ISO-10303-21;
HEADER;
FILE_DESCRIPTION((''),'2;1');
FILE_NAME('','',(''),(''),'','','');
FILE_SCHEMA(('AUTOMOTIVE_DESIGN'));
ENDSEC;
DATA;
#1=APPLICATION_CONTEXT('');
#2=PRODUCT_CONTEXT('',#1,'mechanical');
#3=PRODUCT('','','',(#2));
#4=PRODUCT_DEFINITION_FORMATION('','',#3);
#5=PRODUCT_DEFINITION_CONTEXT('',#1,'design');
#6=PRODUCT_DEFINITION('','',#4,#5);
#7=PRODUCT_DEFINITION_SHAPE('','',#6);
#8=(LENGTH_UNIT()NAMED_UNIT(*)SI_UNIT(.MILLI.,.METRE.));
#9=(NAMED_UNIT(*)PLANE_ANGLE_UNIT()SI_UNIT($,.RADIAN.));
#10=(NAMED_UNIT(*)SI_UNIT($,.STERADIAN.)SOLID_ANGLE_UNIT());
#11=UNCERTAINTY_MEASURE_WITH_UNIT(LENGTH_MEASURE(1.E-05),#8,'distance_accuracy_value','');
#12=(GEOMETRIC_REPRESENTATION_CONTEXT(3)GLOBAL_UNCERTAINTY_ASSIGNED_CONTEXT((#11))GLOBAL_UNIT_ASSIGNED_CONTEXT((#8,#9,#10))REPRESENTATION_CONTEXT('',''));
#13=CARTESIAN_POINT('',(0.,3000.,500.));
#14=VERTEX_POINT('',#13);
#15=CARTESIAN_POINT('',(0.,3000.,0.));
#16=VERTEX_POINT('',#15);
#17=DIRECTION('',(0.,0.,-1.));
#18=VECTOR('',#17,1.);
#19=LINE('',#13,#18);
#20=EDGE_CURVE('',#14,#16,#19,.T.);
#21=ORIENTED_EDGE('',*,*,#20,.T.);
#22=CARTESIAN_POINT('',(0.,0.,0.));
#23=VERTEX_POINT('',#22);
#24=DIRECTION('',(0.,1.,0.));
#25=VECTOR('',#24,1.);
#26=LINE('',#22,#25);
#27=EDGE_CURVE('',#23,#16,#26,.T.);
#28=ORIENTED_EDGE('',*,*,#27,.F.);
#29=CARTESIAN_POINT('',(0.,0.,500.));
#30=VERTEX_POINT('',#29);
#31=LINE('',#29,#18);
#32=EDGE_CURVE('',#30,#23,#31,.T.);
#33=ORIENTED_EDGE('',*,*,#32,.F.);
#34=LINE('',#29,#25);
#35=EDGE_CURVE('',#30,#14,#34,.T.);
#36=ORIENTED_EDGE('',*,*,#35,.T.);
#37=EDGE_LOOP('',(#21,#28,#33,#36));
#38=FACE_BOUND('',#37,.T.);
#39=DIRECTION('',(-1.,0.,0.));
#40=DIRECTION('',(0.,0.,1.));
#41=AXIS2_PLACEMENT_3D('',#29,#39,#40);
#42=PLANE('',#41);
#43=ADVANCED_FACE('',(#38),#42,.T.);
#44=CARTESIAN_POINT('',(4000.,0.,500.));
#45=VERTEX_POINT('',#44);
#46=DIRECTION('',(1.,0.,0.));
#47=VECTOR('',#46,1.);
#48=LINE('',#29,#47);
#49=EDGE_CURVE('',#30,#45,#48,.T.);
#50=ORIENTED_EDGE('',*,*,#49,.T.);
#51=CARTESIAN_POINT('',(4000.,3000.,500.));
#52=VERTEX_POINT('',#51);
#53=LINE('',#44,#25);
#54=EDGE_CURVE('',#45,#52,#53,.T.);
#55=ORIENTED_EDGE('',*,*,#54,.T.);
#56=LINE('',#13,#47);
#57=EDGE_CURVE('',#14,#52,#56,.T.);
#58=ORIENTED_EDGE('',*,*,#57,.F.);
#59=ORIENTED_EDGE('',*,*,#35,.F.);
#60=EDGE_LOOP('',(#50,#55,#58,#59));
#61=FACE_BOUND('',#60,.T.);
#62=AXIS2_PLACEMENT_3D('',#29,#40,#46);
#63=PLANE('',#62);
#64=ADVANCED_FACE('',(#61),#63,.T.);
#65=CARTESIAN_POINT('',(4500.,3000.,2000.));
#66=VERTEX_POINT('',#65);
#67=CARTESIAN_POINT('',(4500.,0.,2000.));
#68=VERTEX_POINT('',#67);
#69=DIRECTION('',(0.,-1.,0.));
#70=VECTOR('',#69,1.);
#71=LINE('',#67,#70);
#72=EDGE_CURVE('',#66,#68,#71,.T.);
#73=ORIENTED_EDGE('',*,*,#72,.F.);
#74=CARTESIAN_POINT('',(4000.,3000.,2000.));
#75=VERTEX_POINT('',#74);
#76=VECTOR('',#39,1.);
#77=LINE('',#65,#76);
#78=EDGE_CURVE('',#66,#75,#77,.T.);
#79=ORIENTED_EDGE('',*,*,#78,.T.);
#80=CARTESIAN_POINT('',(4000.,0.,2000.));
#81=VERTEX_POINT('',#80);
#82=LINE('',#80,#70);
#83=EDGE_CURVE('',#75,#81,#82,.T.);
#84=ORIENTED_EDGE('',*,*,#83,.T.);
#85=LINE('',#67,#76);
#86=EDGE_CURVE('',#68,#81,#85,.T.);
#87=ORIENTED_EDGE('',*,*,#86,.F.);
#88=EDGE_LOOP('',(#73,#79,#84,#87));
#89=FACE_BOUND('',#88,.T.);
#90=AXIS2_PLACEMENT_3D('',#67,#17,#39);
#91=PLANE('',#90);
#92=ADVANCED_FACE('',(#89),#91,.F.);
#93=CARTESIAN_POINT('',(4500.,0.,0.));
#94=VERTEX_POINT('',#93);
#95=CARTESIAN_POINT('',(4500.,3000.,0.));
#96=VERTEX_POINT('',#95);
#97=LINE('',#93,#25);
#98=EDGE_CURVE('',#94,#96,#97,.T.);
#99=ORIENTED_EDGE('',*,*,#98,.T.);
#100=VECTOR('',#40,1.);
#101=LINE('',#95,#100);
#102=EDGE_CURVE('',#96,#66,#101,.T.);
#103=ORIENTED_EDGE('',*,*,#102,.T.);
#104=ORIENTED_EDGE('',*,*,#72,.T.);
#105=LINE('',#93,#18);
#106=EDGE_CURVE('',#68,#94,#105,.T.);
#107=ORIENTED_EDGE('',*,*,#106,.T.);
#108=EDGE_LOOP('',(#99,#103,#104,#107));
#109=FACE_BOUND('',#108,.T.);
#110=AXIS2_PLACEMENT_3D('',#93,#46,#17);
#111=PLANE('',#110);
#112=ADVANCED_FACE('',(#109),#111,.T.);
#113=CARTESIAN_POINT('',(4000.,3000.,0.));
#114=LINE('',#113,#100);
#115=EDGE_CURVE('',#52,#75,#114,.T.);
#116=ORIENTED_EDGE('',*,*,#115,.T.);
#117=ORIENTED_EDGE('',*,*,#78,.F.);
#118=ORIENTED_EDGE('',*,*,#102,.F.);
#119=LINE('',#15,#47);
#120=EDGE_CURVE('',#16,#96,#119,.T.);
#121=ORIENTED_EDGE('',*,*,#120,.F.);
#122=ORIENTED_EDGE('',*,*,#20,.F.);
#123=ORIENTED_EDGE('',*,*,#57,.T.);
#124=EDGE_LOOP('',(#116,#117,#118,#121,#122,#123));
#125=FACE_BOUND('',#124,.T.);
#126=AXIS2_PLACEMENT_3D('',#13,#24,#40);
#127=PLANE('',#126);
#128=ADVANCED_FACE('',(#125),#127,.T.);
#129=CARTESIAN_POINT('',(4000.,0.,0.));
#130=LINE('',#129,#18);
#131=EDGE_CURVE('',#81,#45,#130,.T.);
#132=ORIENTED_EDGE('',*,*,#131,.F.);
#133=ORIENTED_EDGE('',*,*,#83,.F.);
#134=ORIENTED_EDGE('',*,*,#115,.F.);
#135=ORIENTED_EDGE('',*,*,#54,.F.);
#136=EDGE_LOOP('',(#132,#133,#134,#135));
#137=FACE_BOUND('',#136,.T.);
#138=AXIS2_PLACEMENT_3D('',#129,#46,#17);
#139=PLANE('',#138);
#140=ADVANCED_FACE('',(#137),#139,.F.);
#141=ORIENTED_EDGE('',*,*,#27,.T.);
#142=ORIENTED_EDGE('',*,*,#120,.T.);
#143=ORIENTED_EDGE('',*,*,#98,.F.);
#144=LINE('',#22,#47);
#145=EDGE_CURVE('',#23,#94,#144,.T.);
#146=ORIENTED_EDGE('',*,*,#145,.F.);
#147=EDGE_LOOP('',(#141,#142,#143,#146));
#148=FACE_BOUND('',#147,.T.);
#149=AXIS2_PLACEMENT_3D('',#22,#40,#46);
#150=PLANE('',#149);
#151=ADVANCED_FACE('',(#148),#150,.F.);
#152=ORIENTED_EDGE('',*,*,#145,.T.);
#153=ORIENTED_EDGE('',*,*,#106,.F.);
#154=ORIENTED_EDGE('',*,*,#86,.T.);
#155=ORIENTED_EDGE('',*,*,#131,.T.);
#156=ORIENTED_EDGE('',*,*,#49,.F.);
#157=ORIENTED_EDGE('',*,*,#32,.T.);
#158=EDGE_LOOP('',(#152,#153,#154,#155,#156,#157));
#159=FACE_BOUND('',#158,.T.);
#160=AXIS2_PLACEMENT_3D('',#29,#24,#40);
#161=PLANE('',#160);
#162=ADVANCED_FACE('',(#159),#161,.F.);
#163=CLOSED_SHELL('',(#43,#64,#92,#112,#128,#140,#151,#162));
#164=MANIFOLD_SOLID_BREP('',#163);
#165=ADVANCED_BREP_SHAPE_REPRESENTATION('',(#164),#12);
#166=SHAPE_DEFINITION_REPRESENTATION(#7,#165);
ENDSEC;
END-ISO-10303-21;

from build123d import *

# Parameters (mm, degrees)
SKETCH2_W           = 4000
SKETCH2_H           = 3000
BOSS_EXTRUDE1_DEPTH = 500
SKETCH3_W           = 2000
SKETCH3_H           = 3000
BOSS_EXTRUDE2_DEPTH = 500


with BuildPart() as part:
    # Sketch2 → Boss-Extrude1 (new body)
    with BuildSketch(Plane.XY):
        with Locations((2000, 1500)):
            Rectangle(SKETCH2_W, SKETCH2_H)
    extrude(amount=BOSS_EXTRUDE1_DEPTH)

    # Sketch3 → Boss-Extrude2 (add)
    with BuildSketch(Plane(origin=(4000, 0, 0), x_dir=(0, 0, -1), z_dir=(1, 0, 0))):
        with Locations((-1000, 1500)):
            Rectangle(SKETCH3_W, SKETCH3_H)
    extrude(amount=BOSS_EXTRUDE2_DEPTH)


solid = part.part
